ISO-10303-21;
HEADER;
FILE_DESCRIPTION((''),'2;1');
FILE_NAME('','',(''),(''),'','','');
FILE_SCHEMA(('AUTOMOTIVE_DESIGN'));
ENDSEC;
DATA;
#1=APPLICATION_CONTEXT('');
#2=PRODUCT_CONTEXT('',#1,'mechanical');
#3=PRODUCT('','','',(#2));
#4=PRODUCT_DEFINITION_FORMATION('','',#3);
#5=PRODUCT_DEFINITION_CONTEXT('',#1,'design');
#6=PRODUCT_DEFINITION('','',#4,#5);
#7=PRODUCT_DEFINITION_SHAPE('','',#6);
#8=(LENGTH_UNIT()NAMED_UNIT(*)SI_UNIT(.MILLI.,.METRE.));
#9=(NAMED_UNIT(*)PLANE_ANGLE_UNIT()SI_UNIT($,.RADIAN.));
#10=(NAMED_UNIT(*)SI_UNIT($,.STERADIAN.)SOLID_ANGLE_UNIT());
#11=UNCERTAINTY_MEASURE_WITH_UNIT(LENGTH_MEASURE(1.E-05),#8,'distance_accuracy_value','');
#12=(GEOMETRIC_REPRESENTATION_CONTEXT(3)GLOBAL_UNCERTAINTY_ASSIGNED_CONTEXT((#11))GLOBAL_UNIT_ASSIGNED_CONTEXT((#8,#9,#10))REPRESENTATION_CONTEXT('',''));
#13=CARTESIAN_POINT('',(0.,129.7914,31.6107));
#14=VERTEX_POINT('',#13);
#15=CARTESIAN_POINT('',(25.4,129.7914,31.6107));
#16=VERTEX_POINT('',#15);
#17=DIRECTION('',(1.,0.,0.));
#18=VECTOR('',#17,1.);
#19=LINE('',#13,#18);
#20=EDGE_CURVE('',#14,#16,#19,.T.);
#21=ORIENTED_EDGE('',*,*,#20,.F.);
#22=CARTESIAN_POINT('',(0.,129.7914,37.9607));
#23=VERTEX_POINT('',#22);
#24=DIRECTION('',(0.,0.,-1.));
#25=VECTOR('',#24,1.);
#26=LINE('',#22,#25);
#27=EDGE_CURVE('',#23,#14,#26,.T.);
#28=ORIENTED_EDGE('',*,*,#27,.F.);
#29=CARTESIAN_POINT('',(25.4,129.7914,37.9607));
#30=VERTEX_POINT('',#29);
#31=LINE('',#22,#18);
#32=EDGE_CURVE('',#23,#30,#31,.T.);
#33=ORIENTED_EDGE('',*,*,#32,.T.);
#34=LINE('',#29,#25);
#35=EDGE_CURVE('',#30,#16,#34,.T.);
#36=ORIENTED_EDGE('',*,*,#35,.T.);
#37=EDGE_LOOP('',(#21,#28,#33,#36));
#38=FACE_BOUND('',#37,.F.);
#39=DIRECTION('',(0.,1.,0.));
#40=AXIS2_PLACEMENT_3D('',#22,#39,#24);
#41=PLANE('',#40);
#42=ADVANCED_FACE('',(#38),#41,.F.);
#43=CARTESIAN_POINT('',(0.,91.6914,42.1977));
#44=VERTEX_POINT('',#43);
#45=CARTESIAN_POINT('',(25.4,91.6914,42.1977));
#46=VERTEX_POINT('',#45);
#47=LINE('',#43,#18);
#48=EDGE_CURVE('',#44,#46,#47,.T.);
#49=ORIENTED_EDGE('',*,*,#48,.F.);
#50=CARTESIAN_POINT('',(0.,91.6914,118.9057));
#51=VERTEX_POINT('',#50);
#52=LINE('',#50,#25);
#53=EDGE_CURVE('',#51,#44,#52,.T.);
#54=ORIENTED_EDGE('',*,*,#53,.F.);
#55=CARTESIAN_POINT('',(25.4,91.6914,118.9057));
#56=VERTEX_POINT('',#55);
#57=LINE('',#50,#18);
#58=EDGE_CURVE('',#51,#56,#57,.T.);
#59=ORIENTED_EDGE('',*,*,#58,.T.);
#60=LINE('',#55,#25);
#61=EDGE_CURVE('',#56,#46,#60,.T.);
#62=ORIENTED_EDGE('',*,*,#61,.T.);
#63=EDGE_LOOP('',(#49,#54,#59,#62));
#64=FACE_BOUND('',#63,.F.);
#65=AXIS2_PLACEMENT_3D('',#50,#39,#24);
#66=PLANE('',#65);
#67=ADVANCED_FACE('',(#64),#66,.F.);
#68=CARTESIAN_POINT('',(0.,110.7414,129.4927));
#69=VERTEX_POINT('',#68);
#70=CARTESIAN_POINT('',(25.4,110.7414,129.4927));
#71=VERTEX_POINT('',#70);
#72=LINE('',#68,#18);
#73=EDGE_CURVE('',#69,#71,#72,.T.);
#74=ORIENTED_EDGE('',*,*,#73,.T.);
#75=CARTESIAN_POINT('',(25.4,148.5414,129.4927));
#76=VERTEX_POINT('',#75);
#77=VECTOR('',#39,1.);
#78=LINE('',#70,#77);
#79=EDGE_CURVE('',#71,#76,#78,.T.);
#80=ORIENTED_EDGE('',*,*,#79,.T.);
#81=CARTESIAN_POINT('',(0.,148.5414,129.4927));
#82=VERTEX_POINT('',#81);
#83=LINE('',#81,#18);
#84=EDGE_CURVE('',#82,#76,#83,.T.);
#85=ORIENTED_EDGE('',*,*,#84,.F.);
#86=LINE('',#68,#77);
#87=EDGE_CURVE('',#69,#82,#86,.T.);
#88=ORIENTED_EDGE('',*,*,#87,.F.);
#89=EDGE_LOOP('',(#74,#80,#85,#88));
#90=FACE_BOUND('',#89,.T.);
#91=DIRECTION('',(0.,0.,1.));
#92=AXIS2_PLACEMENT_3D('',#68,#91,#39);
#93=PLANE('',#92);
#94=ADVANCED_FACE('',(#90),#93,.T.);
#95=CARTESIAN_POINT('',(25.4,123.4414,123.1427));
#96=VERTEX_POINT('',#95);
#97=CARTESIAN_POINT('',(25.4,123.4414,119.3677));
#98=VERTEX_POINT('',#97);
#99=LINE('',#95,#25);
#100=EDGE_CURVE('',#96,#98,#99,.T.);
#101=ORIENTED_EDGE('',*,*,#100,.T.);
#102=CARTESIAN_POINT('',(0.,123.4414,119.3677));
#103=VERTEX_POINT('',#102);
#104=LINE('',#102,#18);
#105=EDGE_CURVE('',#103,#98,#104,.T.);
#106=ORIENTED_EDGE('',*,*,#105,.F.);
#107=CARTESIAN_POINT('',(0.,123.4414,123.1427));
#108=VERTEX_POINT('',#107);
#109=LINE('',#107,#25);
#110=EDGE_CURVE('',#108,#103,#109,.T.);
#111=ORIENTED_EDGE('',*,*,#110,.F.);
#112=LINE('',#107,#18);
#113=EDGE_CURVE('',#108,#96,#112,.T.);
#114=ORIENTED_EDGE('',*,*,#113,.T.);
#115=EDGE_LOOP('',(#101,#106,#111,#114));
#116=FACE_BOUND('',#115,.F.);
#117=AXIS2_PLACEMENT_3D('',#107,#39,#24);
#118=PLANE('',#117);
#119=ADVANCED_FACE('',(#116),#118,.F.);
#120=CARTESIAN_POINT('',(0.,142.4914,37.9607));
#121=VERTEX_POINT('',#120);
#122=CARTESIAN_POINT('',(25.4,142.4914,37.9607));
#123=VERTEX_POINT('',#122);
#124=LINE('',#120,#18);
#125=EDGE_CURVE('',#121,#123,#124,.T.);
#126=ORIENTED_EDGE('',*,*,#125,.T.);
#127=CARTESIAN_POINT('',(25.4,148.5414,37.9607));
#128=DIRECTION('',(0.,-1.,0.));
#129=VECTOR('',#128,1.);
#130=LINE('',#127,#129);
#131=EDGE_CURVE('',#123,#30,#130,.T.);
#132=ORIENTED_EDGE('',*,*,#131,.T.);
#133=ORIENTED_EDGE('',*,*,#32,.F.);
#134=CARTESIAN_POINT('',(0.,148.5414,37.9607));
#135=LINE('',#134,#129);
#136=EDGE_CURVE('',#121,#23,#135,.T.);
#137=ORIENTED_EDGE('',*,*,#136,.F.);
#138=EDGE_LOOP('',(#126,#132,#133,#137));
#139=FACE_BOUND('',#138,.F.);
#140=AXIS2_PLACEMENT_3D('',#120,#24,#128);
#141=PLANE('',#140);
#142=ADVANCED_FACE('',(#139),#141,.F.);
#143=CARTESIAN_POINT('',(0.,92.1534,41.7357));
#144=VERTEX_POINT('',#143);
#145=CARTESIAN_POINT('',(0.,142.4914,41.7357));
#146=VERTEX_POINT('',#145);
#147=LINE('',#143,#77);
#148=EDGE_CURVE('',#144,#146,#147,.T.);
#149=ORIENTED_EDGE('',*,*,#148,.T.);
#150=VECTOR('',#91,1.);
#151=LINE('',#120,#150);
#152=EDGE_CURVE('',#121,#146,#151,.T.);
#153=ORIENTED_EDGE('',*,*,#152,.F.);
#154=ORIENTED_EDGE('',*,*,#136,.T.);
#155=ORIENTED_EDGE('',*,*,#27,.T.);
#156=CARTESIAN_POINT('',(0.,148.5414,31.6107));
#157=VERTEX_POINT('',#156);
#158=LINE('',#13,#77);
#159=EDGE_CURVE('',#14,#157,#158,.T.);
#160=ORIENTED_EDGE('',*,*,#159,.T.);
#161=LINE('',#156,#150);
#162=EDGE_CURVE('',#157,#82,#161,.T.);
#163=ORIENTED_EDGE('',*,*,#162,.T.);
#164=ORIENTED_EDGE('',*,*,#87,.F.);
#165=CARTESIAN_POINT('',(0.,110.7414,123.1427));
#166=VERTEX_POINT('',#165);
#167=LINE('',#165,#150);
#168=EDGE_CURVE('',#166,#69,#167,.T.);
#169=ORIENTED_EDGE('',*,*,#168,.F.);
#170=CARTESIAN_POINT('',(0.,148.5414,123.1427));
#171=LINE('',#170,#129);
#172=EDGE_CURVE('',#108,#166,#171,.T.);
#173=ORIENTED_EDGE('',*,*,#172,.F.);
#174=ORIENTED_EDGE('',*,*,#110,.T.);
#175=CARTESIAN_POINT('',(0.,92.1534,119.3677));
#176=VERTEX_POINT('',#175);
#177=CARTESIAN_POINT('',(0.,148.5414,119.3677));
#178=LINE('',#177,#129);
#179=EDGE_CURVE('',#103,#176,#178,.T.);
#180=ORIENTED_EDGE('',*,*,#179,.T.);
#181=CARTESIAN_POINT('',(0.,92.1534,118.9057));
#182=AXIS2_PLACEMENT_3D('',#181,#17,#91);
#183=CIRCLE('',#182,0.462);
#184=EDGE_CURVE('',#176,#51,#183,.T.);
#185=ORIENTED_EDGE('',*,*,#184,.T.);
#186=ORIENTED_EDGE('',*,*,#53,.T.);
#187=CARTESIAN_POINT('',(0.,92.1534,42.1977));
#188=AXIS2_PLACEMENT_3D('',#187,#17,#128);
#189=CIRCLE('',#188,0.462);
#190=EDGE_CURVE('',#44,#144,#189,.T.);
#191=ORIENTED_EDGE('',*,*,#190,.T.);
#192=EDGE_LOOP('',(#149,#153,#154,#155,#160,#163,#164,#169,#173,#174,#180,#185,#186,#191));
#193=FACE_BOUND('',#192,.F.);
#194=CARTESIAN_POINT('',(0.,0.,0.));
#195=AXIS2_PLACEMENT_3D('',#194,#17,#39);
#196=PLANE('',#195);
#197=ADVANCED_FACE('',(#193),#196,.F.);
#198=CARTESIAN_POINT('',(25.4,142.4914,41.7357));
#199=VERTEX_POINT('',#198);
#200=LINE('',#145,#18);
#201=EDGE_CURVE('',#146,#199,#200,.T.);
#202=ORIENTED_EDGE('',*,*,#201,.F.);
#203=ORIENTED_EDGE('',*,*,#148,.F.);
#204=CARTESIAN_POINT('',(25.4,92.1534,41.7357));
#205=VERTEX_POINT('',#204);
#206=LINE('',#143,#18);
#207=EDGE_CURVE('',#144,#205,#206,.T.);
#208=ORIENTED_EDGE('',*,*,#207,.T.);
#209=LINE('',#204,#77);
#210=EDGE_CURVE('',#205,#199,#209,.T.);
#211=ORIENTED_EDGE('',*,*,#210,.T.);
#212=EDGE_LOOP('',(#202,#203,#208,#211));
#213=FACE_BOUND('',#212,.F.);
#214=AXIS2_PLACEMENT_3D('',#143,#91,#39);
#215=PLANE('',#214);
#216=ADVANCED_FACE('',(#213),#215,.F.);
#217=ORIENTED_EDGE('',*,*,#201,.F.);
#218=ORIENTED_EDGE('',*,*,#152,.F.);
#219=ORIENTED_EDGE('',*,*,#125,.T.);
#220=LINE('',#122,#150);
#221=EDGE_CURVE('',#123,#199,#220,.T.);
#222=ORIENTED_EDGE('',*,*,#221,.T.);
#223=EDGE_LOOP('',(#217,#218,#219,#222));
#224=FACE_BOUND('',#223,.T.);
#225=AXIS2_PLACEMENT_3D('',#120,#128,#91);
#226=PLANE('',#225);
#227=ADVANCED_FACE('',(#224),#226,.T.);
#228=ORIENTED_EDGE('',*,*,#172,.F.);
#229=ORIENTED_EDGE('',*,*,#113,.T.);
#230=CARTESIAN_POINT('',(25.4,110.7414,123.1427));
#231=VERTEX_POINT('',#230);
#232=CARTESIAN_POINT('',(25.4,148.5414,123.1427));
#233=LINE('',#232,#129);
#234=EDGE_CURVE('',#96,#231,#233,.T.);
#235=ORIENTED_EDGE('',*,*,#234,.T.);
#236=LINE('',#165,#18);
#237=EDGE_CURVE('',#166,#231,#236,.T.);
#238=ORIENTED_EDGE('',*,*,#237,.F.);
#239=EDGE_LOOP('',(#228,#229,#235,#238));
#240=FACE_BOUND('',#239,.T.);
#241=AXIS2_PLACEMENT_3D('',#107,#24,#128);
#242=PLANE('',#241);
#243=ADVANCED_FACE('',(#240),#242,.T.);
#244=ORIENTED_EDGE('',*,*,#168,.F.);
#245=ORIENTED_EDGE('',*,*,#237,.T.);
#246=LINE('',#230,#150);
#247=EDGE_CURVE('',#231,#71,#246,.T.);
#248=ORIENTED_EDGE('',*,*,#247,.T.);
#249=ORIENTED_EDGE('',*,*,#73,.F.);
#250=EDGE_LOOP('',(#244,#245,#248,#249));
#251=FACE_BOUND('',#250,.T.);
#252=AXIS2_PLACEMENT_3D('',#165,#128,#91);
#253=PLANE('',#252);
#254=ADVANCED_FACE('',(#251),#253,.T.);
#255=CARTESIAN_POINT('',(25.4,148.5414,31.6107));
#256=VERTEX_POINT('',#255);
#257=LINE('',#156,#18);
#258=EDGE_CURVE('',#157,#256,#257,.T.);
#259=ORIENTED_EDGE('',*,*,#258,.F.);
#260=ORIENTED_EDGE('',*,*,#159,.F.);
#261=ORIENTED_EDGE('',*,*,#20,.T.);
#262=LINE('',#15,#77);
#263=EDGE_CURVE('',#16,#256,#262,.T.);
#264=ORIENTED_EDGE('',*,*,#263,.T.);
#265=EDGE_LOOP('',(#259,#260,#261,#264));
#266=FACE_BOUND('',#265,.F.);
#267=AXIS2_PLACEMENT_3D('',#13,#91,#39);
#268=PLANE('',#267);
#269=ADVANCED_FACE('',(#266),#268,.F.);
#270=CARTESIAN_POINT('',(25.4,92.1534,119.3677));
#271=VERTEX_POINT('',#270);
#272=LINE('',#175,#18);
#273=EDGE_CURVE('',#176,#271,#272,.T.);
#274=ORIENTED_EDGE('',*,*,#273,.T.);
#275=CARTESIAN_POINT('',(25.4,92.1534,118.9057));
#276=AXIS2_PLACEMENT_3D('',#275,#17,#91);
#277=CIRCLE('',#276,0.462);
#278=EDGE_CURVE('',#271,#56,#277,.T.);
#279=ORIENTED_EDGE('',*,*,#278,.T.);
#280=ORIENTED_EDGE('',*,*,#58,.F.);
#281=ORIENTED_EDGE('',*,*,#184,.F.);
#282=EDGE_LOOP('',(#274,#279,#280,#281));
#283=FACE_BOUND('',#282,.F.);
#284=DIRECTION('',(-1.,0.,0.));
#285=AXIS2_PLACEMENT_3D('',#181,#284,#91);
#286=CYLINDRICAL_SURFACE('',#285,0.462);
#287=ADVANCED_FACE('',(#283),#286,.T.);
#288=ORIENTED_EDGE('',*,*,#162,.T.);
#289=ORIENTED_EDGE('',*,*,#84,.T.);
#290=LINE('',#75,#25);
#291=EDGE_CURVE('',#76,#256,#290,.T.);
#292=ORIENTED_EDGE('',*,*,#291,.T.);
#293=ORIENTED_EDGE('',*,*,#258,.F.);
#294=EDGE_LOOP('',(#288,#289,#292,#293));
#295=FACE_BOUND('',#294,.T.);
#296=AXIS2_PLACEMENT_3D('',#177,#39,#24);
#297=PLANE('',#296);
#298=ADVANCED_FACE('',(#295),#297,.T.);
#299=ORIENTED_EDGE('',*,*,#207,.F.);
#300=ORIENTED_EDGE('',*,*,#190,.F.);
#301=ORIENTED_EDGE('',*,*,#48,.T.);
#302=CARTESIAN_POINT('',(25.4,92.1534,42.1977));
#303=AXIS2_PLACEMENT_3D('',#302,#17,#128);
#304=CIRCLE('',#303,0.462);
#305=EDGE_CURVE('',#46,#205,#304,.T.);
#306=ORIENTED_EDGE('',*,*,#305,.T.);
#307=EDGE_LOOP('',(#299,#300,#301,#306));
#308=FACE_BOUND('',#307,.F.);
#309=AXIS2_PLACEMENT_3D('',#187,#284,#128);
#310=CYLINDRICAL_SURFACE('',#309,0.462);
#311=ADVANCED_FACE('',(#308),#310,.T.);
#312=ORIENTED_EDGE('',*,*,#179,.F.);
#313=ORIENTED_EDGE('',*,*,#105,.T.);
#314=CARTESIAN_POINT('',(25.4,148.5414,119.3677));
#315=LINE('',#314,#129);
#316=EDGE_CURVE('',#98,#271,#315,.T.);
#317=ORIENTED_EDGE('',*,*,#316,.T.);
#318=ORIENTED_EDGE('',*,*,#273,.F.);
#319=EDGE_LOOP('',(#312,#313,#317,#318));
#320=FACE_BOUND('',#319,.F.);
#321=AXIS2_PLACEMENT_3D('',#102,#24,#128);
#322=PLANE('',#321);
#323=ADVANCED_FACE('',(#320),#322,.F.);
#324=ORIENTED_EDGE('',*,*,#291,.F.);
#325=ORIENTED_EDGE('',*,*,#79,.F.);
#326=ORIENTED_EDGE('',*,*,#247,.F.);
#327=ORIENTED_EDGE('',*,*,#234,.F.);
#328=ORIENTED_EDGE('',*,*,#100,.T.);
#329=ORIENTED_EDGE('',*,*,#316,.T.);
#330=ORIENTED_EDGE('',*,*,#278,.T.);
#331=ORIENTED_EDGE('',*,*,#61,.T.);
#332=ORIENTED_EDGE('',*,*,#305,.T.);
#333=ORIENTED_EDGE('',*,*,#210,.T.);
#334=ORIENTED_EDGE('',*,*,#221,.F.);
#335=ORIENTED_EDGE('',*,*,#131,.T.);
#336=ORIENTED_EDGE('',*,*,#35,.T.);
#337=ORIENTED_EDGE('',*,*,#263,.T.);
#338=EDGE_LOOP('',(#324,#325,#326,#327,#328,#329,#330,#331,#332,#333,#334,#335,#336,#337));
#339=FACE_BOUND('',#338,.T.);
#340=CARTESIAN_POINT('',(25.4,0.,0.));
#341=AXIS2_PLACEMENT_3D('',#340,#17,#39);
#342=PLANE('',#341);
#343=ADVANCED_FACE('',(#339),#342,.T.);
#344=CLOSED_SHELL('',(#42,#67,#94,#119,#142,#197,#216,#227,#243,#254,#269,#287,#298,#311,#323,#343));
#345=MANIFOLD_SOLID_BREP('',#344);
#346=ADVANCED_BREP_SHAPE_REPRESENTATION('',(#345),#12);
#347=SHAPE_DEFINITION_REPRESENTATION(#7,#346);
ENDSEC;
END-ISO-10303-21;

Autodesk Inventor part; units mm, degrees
ref_plane "YZ Plane" through (0, 0, 0) normal (1, 0, 0) x (0, 1, 0)
ref_plane "XZ Plane" through (0, 0, 0) normal (0, 1, 0) x (-1, 0, 0)
ref_plane "XY Plane" through (0, 0, 0) normal (0, 0, 1) x (1, 0, 0)
sketch "Sketch1" plane through (0, 0, 0) normal (1, 0, 0) x (0, 1, 0)
  line L0 (92.1534, 119.6677) -> (119.9664, 119.6677) construction
  arc A0 (92.1534, 119.6677) -> (91.3914, 118.9057) centre (92.1534, 118.9057) ccw construction
  line L1 (91.3914, 118.9057) -> (91.3914, 42.1977) construction
  arc A1 (91.3914, 42.1977) -> (92.1534, 41.4357) centre (92.1534, 42.1977) ccw construction
  line L2 (139.0164, 41.4357) -> (92.1534, 41.4357) construction
  line L3 (148.5414, 119.3677) -> (92.1534, 119.3677)
  arc A2 (92.1534, 119.3677) -> (91.6914, 118.9057) centre (92.1534, 118.9057) ccw
  line L4 (91.6914, 118.9057) -> (91.6914, 42.1977)
  arc A3 (91.6914, 42.1977) -> (92.1534, 41.7357) centre (92.1534, 42.1977) ccw
  line L5 (92.1534, 41.7357) -> (148.5414, 41.7357)
  line L6 (148.5414, 119.3677) -> (148.5414, 41.7357)
  line L7 (142.1914, 41.4357) -> (142.1914, 38.2607) construction
  line L8 (123.1414, 122.8427) -> (123.1414, 119.6677) construction
  line L9 (119.9664, 122.8427) -> (123.1414, 122.8427) construction
  line L10 (142.1914, 38.2607) -> (139.0164, 38.2607) construction
  line L11 (123.4414, 119.3677) -> (148.5414, 119.3677)
  line L12 (148.5414, 119.3677) -> (148.5414, 123.1427)
  line L13 (148.5414, 123.1427) -> (123.4414, 123.1427)
  line L14 (123.4414, 123.1427) -> (123.4414, 119.3677)
  line L15 (148.5414, 123.1427) -> (110.7414, 123.1427)
  line L16 (110.7414, 123.1427) -> (110.7414, 129.4927)
  line L17 (110.7414, 129.4927) -> (148.5414, 129.4927)
  line L18 (148.5414, 129.4927) -> (148.5414, 123.1427)
  line L19 (142.4914, 41.7357) -> (148.5414, 41.7357)
  line L20 (148.5414, 41.7357) -> (148.5414, 37.9607)
  line L21 (148.5414, 37.9607) -> (142.4914, 37.9607)
  line L22 (142.4914, 37.9607) -> (142.4914, 41.7357)
  line L23 (148.5414, 37.9607) -> (129.7914, 37.9607)
  line L24 (129.7914, 37.9607) -> (129.7914, 31.6107)
  line L25 (129.7914, 31.6107) -> (148.5414, 31.6107)
  line L26 (148.5414, 31.6107) -> (148.5414, 37.9607)
  point P0 (0, 0)
  dimension "d0" = 0.3
  dimension "d1" = 6.35
  dimension "d2" = 0.3
  dimension "d3" = 0.3
  dimension "d4" = 0.3
  dimension "d5" = 0.3
  dimension "d6" = 6.35
  dimension "d7" = 6.35
  dimension "d8" = 12.7
  dimension "d9" = 12.7
extrude "Extrusion1" add sketch "Sketch1" along normal blind 25.4
equation "\"d2\" = d0"
equation "\"d3\" = d0"
equation "\"d4\" = d0"
equation "\"d5\" = d0"
properties part number "BumperFrameStandoff"
